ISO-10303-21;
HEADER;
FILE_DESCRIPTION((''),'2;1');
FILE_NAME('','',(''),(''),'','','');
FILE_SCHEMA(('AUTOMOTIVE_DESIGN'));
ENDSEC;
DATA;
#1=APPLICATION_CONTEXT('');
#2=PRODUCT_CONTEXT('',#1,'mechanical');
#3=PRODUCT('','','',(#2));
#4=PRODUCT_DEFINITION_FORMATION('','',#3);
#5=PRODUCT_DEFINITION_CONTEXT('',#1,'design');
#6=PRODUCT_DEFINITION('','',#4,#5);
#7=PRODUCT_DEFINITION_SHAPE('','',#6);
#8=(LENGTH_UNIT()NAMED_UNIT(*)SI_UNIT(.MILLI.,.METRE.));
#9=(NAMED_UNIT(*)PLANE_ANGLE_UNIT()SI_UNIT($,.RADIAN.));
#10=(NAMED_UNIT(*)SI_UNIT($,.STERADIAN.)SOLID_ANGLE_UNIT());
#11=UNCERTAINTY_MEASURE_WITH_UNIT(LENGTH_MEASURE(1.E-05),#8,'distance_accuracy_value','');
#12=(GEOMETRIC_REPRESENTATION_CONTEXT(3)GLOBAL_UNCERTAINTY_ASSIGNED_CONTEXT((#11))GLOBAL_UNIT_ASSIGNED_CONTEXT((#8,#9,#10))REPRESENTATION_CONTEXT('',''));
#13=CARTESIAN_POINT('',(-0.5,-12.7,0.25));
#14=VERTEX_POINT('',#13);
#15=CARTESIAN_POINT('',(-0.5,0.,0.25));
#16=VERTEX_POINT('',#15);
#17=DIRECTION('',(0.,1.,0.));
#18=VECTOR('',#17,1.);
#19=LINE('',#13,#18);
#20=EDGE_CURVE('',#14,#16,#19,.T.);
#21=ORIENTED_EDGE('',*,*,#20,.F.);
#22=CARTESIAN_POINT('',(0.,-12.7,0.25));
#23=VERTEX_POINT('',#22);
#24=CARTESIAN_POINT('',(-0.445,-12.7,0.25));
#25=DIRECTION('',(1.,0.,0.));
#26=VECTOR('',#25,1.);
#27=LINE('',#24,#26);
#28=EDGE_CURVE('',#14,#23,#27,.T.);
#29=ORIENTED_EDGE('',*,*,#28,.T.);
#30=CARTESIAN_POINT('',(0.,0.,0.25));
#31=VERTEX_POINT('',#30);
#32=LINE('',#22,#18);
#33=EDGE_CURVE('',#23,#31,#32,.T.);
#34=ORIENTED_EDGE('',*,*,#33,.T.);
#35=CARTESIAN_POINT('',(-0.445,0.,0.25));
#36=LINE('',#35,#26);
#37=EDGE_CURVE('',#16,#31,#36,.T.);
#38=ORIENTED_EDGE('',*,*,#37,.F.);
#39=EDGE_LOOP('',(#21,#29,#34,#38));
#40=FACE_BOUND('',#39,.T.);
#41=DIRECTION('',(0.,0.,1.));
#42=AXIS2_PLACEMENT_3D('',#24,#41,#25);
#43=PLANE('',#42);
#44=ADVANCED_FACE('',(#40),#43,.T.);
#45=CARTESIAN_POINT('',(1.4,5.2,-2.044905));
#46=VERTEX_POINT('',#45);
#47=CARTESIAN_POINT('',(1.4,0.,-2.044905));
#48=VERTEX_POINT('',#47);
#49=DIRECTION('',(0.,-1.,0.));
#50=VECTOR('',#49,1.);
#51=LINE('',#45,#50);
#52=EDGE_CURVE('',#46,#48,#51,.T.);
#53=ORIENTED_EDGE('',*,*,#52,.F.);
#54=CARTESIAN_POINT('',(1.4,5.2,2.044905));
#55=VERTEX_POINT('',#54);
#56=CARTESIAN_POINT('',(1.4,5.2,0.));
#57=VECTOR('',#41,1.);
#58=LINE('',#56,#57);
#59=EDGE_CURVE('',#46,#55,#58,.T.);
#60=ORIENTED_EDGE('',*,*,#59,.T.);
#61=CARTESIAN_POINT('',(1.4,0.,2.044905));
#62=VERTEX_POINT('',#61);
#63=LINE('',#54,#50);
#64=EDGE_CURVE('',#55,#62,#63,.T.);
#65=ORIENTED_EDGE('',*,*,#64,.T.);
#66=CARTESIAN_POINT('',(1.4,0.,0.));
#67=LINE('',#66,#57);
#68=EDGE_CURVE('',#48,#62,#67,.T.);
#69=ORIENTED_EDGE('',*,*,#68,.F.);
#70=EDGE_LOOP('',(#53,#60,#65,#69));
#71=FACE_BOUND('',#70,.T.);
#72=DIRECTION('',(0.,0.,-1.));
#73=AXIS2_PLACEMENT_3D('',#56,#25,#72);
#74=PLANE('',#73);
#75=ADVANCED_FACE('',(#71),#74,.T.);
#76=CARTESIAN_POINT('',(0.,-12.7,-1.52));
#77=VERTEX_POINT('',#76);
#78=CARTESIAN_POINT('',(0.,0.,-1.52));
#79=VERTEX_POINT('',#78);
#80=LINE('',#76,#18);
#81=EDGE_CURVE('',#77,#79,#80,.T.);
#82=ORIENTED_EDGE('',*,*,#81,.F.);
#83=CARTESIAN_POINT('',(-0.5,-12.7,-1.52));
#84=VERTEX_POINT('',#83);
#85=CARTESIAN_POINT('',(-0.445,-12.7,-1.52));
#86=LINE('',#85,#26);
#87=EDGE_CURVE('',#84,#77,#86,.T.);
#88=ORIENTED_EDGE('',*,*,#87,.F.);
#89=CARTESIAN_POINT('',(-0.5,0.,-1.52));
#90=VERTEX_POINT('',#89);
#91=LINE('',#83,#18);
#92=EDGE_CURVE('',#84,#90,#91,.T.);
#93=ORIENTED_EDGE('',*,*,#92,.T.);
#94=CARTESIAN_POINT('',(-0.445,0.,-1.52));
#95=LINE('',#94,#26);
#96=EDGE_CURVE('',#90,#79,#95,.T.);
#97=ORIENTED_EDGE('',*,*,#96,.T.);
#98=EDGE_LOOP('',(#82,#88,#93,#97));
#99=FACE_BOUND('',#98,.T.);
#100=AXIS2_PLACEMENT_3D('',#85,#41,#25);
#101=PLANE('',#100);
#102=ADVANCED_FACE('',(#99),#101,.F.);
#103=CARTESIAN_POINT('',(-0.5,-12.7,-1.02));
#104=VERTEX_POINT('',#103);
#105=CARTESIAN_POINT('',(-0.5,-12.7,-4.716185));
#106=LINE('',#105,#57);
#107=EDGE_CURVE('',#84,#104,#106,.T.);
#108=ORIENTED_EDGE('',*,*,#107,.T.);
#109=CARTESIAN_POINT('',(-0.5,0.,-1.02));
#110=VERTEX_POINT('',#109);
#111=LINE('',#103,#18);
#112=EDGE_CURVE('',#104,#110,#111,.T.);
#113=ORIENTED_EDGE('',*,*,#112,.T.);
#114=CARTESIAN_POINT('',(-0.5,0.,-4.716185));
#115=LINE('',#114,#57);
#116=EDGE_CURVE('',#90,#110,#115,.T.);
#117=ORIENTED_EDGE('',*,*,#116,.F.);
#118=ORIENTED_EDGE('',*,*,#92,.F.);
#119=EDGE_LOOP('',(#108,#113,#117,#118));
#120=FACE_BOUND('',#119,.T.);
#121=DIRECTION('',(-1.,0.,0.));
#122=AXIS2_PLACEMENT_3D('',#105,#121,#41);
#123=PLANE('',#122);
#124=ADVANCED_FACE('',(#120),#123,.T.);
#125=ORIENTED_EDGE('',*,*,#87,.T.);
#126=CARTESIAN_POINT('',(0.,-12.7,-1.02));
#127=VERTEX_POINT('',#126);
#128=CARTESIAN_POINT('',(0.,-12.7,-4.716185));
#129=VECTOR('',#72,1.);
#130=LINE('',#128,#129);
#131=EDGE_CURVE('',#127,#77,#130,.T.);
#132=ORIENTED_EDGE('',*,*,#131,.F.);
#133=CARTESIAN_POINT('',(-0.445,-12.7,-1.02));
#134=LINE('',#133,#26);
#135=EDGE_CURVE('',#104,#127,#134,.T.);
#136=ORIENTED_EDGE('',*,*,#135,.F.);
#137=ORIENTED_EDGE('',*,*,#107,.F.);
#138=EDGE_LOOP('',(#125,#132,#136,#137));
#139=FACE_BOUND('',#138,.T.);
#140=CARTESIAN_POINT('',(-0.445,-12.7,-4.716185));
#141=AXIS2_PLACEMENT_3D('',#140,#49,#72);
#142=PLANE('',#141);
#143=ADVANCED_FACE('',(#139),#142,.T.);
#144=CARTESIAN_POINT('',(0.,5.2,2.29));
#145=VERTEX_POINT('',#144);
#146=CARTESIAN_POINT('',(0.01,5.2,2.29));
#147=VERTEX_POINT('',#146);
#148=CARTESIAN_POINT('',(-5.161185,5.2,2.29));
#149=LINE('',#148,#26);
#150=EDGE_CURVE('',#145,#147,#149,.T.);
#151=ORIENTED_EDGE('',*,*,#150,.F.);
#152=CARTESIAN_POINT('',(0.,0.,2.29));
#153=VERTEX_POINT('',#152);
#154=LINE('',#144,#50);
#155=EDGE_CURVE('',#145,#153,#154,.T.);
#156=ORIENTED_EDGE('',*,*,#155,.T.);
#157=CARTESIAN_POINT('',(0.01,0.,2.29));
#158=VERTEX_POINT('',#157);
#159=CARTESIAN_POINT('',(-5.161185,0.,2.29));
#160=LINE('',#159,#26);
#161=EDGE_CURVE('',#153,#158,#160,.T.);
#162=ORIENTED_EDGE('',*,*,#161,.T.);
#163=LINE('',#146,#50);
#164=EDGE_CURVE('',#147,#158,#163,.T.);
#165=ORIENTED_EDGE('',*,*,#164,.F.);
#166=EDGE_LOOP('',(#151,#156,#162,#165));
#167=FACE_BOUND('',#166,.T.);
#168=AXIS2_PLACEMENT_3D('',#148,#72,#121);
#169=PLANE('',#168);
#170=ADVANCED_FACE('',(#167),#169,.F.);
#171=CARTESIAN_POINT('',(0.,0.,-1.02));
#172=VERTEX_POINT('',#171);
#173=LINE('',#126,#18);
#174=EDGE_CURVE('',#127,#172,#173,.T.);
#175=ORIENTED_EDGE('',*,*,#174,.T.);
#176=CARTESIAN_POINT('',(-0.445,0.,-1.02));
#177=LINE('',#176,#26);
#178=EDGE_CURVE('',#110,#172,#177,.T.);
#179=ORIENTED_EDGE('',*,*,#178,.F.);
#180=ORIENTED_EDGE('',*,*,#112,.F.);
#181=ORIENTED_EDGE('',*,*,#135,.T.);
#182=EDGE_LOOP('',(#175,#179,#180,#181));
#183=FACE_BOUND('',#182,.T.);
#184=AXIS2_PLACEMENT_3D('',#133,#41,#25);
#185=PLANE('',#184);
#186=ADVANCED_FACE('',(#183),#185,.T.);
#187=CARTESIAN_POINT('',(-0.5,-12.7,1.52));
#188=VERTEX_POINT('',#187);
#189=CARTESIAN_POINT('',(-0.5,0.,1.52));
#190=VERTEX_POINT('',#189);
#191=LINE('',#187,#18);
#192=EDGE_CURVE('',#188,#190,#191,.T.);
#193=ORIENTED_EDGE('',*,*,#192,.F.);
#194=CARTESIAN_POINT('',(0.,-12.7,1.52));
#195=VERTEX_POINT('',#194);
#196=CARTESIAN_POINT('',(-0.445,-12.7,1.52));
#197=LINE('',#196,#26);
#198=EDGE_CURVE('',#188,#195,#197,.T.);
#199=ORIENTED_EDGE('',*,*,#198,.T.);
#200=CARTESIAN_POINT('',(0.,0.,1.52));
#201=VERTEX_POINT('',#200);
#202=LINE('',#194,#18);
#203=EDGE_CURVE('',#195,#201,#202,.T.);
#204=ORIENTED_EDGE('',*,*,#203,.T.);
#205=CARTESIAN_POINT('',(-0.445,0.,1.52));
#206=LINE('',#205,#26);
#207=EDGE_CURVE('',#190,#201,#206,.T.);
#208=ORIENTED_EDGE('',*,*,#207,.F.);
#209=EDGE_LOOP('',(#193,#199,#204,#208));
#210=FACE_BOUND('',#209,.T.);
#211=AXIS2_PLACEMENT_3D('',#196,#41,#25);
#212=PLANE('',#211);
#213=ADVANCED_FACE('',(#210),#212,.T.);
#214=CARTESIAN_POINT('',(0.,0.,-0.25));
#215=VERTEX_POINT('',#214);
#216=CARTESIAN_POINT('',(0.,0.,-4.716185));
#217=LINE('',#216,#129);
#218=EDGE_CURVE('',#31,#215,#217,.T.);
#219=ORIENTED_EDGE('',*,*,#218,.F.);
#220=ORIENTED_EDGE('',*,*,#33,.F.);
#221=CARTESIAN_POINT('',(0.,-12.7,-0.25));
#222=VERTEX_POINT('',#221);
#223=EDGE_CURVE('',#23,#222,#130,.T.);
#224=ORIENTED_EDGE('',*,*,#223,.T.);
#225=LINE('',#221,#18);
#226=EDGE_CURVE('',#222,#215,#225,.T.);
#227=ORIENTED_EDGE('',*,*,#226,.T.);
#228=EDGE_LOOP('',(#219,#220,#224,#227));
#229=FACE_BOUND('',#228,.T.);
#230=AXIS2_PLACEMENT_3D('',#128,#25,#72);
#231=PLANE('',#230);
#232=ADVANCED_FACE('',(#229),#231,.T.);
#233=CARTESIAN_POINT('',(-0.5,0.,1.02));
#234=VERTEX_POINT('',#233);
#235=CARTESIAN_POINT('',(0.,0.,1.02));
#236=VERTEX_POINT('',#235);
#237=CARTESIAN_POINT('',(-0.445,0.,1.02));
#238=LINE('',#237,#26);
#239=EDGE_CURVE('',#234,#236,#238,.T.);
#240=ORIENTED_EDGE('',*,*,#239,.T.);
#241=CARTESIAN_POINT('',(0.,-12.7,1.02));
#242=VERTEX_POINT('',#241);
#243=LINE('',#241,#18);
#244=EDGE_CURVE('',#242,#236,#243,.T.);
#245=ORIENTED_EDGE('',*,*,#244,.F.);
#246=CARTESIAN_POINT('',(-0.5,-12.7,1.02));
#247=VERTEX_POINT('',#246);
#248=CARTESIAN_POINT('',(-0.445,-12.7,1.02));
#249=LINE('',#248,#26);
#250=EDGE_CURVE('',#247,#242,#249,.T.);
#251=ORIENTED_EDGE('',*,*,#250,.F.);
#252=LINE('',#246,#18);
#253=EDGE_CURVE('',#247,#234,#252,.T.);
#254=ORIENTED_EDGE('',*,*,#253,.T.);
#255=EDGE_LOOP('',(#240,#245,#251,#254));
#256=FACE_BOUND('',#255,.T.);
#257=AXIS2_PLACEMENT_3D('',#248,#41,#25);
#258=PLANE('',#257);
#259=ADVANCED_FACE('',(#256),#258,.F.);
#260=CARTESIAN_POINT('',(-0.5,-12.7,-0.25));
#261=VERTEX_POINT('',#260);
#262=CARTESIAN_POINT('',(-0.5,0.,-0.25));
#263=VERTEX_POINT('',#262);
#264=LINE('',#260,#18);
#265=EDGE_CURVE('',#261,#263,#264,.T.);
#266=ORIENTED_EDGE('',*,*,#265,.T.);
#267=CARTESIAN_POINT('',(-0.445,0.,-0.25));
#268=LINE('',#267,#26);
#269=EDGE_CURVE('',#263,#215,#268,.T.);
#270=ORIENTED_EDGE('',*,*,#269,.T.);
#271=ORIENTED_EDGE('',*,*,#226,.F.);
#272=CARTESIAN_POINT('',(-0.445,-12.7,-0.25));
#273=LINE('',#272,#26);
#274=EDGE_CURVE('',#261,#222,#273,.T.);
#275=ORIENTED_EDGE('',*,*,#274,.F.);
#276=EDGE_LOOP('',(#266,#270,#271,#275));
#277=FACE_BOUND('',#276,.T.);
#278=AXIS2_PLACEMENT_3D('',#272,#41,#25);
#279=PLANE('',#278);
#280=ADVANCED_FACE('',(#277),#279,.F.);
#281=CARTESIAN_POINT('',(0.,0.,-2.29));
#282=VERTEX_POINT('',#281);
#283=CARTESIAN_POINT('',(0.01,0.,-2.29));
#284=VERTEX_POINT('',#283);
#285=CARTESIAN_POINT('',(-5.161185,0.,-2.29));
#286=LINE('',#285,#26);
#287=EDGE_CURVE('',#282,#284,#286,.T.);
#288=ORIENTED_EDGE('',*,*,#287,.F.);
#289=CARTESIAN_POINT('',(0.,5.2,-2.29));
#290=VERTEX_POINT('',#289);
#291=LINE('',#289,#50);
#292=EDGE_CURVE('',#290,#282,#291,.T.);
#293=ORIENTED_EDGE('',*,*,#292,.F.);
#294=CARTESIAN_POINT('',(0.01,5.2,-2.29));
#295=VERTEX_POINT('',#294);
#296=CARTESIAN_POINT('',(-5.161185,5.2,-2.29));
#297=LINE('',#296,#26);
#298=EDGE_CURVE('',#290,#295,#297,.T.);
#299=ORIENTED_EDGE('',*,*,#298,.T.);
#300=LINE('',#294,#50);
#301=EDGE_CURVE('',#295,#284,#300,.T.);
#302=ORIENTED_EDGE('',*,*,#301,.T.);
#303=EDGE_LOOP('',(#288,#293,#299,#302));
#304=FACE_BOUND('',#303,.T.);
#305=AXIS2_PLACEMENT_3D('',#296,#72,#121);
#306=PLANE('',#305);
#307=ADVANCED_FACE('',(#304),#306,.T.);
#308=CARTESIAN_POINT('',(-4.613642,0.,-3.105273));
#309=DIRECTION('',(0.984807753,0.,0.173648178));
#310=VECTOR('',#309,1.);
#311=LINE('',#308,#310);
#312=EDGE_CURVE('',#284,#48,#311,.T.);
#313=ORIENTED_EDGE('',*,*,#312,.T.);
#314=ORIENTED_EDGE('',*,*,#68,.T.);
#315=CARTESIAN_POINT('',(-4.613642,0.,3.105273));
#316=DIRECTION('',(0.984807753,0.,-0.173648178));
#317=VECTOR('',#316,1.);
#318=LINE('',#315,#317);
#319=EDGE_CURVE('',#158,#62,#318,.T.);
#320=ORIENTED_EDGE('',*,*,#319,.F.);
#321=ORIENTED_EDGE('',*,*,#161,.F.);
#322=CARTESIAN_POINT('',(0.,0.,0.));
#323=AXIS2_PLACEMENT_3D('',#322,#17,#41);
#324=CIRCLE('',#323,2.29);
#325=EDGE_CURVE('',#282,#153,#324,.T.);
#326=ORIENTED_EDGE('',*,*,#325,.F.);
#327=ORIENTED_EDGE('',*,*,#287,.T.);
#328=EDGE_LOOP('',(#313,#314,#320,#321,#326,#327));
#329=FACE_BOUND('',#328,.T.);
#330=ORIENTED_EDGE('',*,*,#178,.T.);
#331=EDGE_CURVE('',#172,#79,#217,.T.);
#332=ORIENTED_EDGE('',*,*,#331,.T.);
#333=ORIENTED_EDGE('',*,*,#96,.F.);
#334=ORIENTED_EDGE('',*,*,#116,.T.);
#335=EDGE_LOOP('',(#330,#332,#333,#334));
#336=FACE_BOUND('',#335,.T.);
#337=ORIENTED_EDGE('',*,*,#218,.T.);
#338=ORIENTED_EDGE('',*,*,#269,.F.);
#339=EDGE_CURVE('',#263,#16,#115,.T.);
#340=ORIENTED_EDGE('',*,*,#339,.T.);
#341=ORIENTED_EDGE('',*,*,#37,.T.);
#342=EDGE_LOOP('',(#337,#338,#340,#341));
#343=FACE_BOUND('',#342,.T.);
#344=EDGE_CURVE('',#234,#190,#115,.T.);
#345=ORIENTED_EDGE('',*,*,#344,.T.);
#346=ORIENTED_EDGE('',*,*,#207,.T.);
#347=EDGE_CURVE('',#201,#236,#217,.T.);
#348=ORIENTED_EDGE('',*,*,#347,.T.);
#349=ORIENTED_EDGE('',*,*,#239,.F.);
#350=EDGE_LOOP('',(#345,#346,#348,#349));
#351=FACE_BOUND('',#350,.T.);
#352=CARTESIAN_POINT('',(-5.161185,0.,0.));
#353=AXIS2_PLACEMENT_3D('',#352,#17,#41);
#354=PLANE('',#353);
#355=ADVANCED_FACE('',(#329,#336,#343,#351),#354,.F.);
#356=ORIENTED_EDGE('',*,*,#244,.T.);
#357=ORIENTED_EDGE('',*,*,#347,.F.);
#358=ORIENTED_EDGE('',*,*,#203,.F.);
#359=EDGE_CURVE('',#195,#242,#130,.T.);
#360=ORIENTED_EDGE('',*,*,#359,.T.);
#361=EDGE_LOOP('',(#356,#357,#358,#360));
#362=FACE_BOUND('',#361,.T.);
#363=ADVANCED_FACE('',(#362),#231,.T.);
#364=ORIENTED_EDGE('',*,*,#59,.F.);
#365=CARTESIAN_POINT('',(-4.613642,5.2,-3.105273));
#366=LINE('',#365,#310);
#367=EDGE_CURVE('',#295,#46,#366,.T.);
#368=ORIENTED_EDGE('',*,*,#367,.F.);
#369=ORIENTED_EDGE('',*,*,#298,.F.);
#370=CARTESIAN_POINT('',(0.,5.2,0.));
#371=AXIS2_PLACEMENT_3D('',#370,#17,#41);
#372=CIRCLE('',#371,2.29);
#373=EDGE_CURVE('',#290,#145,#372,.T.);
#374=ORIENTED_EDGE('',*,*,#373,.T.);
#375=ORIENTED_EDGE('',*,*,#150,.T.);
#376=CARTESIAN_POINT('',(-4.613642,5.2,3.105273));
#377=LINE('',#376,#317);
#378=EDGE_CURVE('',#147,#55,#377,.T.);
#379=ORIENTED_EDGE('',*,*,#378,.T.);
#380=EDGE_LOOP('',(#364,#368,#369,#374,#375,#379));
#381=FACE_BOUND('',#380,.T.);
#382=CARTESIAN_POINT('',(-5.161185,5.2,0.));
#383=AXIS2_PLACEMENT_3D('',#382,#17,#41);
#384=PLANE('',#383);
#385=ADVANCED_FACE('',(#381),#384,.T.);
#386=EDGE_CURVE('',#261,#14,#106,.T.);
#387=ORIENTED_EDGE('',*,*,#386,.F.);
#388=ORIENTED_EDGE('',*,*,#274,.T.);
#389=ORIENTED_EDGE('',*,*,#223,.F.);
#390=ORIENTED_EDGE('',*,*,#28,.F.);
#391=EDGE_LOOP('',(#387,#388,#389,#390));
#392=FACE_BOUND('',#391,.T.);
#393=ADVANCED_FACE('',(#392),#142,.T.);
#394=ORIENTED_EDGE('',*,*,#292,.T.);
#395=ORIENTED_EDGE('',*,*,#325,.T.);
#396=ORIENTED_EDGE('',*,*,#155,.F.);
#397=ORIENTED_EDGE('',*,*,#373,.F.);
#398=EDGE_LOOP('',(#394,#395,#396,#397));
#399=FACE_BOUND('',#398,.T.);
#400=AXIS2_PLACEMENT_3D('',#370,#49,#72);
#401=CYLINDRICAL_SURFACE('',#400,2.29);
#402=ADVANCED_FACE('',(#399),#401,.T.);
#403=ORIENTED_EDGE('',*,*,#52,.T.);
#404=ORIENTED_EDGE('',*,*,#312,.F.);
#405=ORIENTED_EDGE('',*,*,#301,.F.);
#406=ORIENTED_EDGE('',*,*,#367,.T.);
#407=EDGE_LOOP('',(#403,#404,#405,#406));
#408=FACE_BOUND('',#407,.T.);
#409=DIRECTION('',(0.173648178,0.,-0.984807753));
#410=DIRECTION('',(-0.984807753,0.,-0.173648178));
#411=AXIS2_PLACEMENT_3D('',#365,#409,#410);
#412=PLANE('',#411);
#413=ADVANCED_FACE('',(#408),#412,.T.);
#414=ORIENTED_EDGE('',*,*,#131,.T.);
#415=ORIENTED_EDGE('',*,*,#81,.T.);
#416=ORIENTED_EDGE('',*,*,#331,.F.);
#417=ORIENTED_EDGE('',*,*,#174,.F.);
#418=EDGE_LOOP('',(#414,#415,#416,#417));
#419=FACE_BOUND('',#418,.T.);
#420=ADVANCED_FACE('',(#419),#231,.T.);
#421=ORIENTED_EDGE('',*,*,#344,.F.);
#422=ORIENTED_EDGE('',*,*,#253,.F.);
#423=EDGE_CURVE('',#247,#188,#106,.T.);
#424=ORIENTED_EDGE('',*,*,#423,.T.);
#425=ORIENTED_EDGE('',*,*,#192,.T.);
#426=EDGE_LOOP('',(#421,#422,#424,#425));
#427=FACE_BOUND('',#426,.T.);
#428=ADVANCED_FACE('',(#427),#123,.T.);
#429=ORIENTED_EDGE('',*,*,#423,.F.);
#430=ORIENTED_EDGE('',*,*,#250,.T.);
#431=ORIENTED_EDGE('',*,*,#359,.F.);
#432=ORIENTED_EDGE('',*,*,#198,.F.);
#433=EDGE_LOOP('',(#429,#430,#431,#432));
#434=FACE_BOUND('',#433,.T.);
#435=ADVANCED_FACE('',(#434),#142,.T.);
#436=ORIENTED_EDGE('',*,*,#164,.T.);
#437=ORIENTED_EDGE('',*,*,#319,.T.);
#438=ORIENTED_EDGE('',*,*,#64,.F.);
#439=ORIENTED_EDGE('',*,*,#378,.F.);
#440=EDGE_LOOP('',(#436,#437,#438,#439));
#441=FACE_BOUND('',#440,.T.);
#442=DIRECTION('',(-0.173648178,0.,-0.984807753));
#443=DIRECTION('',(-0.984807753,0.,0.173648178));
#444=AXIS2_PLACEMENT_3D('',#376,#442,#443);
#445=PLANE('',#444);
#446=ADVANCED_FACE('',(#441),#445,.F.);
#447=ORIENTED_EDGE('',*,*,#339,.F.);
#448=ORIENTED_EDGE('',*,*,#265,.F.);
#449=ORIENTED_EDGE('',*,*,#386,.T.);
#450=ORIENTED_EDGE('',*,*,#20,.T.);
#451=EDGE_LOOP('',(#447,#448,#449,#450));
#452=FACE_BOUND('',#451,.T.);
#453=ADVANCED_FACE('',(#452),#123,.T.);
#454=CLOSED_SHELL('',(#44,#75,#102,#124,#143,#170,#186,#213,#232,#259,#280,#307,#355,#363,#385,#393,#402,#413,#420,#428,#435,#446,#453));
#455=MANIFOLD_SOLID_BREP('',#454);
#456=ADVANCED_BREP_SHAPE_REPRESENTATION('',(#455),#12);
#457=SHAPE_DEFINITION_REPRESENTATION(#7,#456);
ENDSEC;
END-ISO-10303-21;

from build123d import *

# Parameters (mm, degrees)
BOSS_EXTRUDE1_DEPTH = 5.2
BOSS_EXTRUDE2_DEPTH = 5.2
SKETCH3_W           = 0.5
SKETCH3_H           = 0.5
BOSS_EXTRUDE3_DEPTH = 12.7


with BuildPart() as part:
    # Sketch1 → Boss-Extrude1 (new body)
    with BuildSketch(Plane(origin=(0, 0, 0), x_dir=(1, 0, 0), z_dir=(0, 1, 0))):
        with BuildLine():
            Line((0, -2.29), (0, 2.29))
            ThreePointArc((0, 2.29), (-2.29, 0), (0, -2.29))
        make_face()
    extrude(amount=BOSS_EXTRUDE1_DEPTH)

    # Sketch1<3> → Boss-Extrude2 (add)
    with BuildSketch(Plane(origin=(0, 0, 0), x_dir=(1, 0, 0), z_dir=(0, 1, 0))):
        Polygon((1.4, 2.044905497), (0.01, 2.29), (0, 2.29), (0, -2.29), (0.01, -2.29), (1.4, -2.044905497), align=None)
    extrude(amount=BOSS_EXTRUDE2_DEPTH)

    # Sketch3 → Boss-Extrude3 (add)
    with BuildSketch(Plane.XZ):
        with Locations((-0.25, 1.27)):
            Rectangle(SKETCH3_W, SKETCH3_H)
        with Locations((-0.25, 0)):
            Rectangle(SKETCH3_W, SKETCH3_H)
        with Locations((-0.25, -1.27)):
            Rectangle(SKETCH3_W, SKETCH3_H)
    extrude(amount=BOSS_EXTRUDE3_DEPTH)


solid = part.part
